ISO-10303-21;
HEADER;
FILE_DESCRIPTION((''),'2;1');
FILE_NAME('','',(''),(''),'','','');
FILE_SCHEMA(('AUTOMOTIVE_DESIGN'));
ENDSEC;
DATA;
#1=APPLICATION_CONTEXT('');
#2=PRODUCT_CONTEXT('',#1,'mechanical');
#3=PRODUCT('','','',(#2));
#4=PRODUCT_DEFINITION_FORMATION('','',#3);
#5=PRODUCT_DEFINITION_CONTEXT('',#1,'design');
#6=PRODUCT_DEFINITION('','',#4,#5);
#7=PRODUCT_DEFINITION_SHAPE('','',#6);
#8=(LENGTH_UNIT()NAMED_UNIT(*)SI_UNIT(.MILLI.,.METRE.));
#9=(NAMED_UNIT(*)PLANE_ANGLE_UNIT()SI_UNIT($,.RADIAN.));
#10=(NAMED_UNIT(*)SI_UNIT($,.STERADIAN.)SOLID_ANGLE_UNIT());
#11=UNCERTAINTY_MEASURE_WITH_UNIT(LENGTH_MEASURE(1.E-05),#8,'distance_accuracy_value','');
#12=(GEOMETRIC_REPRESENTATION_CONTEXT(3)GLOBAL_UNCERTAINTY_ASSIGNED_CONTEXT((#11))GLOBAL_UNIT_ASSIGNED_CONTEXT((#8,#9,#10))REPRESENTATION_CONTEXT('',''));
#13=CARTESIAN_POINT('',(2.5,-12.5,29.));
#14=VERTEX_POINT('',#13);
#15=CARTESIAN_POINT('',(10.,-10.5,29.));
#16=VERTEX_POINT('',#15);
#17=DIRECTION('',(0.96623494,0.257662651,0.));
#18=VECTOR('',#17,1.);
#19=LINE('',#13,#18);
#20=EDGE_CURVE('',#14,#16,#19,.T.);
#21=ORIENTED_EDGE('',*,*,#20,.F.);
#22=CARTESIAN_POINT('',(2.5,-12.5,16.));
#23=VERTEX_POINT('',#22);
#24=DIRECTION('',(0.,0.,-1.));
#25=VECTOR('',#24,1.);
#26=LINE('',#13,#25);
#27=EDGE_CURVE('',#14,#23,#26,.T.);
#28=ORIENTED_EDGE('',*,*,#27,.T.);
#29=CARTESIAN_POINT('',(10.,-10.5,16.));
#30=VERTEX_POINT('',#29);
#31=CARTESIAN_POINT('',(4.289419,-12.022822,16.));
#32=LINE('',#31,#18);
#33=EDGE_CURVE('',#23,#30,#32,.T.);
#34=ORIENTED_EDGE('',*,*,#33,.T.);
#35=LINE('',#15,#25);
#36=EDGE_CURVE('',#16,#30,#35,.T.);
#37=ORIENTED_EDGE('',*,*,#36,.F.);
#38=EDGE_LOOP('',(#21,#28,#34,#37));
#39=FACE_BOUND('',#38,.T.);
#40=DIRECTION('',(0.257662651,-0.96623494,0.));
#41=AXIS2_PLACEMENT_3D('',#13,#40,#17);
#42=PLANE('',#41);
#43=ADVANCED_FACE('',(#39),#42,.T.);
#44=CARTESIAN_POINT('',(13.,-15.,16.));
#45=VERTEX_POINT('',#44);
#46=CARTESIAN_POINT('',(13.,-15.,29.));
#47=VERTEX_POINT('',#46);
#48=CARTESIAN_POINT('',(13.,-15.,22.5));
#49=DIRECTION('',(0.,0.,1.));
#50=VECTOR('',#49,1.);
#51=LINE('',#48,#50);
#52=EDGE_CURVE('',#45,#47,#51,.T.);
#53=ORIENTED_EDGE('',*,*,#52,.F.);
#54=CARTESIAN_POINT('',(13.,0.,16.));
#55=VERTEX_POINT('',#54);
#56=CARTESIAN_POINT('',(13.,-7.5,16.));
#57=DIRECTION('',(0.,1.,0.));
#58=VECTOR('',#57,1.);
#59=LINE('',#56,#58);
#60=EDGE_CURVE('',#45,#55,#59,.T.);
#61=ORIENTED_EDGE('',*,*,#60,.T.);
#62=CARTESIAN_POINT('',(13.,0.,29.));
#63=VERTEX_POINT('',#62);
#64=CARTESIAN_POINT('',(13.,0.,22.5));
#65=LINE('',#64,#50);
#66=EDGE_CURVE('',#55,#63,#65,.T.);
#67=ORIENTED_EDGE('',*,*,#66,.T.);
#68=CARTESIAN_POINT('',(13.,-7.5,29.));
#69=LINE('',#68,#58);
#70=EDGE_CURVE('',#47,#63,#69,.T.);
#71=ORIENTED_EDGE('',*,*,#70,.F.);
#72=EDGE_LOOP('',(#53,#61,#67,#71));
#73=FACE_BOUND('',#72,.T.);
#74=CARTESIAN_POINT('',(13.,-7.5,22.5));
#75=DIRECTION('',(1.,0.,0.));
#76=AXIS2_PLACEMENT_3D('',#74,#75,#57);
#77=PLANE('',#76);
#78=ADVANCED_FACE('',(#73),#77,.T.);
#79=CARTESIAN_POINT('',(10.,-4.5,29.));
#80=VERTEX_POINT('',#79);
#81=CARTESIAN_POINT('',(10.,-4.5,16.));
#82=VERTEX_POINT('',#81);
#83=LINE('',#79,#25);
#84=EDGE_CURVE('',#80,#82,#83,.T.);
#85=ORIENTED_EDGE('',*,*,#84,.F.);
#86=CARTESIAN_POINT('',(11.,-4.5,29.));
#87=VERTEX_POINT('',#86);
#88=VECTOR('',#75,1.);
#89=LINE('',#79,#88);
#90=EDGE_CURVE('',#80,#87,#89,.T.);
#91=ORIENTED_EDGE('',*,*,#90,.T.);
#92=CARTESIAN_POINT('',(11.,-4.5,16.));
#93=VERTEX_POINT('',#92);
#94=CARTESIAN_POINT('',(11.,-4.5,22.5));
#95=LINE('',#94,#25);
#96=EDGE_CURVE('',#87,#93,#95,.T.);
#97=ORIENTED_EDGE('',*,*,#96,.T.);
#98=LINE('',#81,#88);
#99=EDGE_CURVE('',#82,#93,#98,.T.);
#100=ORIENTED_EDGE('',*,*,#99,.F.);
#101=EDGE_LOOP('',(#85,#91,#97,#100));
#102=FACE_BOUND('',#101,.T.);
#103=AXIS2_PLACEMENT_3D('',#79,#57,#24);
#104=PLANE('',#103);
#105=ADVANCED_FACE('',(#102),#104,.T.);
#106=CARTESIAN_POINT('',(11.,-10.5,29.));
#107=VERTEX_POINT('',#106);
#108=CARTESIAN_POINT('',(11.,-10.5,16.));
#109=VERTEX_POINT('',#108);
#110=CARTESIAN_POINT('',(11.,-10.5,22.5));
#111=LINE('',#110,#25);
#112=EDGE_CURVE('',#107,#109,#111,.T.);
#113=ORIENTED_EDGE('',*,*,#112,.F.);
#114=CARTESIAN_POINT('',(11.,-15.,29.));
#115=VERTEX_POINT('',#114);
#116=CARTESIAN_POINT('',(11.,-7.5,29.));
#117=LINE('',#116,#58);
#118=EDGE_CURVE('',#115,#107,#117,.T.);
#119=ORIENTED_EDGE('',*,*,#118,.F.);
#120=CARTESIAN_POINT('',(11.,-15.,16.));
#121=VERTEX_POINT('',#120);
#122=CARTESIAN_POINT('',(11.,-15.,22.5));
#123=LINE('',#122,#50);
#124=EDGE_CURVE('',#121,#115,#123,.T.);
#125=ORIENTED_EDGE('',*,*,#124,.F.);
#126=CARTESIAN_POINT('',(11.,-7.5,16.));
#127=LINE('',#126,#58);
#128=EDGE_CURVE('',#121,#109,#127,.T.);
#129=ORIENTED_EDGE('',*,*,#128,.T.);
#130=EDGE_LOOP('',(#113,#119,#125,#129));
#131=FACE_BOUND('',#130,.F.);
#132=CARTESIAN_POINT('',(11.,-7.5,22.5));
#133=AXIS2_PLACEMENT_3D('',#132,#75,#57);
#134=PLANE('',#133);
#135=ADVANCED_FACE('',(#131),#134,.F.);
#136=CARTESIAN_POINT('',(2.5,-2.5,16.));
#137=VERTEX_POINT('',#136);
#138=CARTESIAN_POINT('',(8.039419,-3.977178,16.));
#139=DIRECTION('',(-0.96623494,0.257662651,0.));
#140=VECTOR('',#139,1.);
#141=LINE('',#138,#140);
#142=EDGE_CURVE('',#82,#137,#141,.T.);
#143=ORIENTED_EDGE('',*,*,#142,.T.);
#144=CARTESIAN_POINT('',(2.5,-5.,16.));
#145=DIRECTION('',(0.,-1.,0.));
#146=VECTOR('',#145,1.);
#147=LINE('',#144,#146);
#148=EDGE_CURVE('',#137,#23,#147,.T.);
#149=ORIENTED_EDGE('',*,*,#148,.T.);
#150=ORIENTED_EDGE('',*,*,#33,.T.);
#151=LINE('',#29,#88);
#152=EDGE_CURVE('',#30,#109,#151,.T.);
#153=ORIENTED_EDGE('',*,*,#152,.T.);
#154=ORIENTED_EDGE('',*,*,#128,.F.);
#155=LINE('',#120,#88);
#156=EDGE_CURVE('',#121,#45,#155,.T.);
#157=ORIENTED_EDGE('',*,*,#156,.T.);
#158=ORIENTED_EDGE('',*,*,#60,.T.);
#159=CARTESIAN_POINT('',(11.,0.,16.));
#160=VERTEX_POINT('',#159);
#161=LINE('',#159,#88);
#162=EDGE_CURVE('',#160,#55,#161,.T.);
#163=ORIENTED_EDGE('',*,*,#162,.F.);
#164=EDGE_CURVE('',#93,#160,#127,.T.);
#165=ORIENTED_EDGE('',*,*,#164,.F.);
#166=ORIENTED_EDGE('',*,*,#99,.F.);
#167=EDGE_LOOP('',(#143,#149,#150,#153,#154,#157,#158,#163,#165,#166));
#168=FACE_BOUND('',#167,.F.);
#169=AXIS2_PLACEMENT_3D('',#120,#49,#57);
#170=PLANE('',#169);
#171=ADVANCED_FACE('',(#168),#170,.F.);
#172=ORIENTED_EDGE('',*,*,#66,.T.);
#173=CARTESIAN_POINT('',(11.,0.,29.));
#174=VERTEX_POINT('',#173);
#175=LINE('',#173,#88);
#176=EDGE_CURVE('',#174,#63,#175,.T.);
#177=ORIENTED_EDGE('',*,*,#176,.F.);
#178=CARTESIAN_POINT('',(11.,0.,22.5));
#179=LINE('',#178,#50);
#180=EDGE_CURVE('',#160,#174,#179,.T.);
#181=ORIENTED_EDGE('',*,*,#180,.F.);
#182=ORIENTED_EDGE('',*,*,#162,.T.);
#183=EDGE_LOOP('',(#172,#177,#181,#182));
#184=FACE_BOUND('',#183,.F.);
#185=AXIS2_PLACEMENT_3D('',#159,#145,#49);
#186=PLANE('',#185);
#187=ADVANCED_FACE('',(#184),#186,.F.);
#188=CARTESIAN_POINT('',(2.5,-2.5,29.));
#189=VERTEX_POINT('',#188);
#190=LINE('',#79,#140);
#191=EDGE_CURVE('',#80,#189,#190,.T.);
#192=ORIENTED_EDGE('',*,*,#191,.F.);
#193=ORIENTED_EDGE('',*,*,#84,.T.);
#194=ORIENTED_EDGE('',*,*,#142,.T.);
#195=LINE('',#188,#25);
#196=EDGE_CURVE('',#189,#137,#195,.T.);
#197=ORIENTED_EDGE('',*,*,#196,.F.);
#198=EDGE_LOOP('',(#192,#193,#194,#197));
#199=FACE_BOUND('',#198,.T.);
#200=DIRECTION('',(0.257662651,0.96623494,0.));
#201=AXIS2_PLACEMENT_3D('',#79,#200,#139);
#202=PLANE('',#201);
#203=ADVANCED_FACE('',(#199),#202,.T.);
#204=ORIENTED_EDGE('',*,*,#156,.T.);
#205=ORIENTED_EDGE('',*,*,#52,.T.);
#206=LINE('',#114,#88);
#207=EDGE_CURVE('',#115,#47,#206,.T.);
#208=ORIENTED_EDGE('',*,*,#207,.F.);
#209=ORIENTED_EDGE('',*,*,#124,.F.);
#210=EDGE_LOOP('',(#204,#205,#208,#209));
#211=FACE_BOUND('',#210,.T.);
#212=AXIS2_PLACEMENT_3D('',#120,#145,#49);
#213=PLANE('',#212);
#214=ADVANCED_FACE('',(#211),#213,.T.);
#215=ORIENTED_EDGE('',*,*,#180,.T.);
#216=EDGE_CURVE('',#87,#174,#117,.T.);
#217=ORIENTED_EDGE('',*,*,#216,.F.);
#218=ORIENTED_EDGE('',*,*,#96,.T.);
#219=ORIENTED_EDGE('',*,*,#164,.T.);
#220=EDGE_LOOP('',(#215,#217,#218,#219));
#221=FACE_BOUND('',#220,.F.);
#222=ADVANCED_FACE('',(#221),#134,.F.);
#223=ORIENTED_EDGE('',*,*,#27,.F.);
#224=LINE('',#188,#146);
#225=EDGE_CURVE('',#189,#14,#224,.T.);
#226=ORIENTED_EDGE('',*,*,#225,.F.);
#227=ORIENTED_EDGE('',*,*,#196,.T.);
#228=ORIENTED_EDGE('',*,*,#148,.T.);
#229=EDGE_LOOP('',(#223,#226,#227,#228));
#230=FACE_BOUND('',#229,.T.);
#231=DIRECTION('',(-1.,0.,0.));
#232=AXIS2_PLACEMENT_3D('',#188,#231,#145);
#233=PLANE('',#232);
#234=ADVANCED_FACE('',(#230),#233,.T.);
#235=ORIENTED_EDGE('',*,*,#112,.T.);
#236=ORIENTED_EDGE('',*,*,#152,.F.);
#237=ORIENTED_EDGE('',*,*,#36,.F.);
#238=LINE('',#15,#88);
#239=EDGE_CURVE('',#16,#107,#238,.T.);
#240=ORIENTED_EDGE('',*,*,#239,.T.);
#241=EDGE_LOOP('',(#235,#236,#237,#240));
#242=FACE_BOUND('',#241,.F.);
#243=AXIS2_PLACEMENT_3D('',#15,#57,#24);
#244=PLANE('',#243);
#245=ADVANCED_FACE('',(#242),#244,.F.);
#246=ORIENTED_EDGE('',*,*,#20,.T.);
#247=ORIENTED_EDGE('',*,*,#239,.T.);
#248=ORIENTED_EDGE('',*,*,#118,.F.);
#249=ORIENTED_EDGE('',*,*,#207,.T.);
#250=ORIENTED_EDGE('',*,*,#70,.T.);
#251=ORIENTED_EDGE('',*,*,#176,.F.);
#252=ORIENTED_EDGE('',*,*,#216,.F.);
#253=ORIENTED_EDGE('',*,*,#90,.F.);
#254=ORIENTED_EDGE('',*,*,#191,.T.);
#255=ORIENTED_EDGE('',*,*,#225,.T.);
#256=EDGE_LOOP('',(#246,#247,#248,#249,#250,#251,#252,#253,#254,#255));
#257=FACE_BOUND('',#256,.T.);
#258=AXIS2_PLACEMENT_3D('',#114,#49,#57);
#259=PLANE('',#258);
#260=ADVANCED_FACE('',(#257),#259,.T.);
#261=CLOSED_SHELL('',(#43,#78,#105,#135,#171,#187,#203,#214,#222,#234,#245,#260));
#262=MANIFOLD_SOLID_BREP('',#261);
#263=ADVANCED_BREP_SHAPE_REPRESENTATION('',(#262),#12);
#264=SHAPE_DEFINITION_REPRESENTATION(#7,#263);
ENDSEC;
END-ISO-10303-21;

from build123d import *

# Parameters (mm, degrees)
SKETCH023_W       = 10
SKETCH023_H       = 15
PAD013_DEPTH      = 13
POCKET010_DEPTH   = 13.001
POCKET010_FACE1_W = 6
POCKET010_FACE1_H = 13
PAD014_DEPTH      = 1
SKETCH026_W       = 15
SKETCH026_H       = 13
PAD015_DEPTH      = 2


with BuildPart() as part:
    # Sketch023 → Pad013 (new body)
    with BuildSketch(Plane.XY):
        with Locations((5, -7.5)):
            Rectangle(SKETCH023_W, SKETCH023_H)
    extrude(amount=PAD013_DEPTH)

    # Sketch025 (on Face6 of Pad013) → Pocket010 (cut, through all)
    with BuildSketch(Plane.XY.offset(13)):
        Polygon((10, -4.5), (2.5, -2.5), (2.5, -12.5), (10, -10.5), (10, -15), (0, -15), (0, 0), (10, 0), align=None)
    extrude(amount=-POCKET010_DEPTH, mode=Mode.SUBTRACT)

    # Pocket010 Face1 → Pad014 (add)
    with BuildSketch(Plane(origin=(10, -7.5, 6.5), x_dir=(0, -1, 0), z_dir=(1, 0, 0))):
        Rectangle(POCKET010_FACE1_W, POCKET010_FACE1_H)
    extrude(amount=PAD014_DEPTH)

    # Sketch026 (on Face6 of Pad014) → Pad015 (join)
    with BuildSketch(Plane.YZ.offset(11)):
        with Locations((-7.5, 6.5)):
            Rectangle(SKETCH026_W, SKETCH026_H)
    extrude(amount=PAD015_DEPTH)


with BuildPart() as part_1:
    # Body004 placement: moved
    add(part.part.moved(Location((0, 0, 16))))


solid = part_1.part
